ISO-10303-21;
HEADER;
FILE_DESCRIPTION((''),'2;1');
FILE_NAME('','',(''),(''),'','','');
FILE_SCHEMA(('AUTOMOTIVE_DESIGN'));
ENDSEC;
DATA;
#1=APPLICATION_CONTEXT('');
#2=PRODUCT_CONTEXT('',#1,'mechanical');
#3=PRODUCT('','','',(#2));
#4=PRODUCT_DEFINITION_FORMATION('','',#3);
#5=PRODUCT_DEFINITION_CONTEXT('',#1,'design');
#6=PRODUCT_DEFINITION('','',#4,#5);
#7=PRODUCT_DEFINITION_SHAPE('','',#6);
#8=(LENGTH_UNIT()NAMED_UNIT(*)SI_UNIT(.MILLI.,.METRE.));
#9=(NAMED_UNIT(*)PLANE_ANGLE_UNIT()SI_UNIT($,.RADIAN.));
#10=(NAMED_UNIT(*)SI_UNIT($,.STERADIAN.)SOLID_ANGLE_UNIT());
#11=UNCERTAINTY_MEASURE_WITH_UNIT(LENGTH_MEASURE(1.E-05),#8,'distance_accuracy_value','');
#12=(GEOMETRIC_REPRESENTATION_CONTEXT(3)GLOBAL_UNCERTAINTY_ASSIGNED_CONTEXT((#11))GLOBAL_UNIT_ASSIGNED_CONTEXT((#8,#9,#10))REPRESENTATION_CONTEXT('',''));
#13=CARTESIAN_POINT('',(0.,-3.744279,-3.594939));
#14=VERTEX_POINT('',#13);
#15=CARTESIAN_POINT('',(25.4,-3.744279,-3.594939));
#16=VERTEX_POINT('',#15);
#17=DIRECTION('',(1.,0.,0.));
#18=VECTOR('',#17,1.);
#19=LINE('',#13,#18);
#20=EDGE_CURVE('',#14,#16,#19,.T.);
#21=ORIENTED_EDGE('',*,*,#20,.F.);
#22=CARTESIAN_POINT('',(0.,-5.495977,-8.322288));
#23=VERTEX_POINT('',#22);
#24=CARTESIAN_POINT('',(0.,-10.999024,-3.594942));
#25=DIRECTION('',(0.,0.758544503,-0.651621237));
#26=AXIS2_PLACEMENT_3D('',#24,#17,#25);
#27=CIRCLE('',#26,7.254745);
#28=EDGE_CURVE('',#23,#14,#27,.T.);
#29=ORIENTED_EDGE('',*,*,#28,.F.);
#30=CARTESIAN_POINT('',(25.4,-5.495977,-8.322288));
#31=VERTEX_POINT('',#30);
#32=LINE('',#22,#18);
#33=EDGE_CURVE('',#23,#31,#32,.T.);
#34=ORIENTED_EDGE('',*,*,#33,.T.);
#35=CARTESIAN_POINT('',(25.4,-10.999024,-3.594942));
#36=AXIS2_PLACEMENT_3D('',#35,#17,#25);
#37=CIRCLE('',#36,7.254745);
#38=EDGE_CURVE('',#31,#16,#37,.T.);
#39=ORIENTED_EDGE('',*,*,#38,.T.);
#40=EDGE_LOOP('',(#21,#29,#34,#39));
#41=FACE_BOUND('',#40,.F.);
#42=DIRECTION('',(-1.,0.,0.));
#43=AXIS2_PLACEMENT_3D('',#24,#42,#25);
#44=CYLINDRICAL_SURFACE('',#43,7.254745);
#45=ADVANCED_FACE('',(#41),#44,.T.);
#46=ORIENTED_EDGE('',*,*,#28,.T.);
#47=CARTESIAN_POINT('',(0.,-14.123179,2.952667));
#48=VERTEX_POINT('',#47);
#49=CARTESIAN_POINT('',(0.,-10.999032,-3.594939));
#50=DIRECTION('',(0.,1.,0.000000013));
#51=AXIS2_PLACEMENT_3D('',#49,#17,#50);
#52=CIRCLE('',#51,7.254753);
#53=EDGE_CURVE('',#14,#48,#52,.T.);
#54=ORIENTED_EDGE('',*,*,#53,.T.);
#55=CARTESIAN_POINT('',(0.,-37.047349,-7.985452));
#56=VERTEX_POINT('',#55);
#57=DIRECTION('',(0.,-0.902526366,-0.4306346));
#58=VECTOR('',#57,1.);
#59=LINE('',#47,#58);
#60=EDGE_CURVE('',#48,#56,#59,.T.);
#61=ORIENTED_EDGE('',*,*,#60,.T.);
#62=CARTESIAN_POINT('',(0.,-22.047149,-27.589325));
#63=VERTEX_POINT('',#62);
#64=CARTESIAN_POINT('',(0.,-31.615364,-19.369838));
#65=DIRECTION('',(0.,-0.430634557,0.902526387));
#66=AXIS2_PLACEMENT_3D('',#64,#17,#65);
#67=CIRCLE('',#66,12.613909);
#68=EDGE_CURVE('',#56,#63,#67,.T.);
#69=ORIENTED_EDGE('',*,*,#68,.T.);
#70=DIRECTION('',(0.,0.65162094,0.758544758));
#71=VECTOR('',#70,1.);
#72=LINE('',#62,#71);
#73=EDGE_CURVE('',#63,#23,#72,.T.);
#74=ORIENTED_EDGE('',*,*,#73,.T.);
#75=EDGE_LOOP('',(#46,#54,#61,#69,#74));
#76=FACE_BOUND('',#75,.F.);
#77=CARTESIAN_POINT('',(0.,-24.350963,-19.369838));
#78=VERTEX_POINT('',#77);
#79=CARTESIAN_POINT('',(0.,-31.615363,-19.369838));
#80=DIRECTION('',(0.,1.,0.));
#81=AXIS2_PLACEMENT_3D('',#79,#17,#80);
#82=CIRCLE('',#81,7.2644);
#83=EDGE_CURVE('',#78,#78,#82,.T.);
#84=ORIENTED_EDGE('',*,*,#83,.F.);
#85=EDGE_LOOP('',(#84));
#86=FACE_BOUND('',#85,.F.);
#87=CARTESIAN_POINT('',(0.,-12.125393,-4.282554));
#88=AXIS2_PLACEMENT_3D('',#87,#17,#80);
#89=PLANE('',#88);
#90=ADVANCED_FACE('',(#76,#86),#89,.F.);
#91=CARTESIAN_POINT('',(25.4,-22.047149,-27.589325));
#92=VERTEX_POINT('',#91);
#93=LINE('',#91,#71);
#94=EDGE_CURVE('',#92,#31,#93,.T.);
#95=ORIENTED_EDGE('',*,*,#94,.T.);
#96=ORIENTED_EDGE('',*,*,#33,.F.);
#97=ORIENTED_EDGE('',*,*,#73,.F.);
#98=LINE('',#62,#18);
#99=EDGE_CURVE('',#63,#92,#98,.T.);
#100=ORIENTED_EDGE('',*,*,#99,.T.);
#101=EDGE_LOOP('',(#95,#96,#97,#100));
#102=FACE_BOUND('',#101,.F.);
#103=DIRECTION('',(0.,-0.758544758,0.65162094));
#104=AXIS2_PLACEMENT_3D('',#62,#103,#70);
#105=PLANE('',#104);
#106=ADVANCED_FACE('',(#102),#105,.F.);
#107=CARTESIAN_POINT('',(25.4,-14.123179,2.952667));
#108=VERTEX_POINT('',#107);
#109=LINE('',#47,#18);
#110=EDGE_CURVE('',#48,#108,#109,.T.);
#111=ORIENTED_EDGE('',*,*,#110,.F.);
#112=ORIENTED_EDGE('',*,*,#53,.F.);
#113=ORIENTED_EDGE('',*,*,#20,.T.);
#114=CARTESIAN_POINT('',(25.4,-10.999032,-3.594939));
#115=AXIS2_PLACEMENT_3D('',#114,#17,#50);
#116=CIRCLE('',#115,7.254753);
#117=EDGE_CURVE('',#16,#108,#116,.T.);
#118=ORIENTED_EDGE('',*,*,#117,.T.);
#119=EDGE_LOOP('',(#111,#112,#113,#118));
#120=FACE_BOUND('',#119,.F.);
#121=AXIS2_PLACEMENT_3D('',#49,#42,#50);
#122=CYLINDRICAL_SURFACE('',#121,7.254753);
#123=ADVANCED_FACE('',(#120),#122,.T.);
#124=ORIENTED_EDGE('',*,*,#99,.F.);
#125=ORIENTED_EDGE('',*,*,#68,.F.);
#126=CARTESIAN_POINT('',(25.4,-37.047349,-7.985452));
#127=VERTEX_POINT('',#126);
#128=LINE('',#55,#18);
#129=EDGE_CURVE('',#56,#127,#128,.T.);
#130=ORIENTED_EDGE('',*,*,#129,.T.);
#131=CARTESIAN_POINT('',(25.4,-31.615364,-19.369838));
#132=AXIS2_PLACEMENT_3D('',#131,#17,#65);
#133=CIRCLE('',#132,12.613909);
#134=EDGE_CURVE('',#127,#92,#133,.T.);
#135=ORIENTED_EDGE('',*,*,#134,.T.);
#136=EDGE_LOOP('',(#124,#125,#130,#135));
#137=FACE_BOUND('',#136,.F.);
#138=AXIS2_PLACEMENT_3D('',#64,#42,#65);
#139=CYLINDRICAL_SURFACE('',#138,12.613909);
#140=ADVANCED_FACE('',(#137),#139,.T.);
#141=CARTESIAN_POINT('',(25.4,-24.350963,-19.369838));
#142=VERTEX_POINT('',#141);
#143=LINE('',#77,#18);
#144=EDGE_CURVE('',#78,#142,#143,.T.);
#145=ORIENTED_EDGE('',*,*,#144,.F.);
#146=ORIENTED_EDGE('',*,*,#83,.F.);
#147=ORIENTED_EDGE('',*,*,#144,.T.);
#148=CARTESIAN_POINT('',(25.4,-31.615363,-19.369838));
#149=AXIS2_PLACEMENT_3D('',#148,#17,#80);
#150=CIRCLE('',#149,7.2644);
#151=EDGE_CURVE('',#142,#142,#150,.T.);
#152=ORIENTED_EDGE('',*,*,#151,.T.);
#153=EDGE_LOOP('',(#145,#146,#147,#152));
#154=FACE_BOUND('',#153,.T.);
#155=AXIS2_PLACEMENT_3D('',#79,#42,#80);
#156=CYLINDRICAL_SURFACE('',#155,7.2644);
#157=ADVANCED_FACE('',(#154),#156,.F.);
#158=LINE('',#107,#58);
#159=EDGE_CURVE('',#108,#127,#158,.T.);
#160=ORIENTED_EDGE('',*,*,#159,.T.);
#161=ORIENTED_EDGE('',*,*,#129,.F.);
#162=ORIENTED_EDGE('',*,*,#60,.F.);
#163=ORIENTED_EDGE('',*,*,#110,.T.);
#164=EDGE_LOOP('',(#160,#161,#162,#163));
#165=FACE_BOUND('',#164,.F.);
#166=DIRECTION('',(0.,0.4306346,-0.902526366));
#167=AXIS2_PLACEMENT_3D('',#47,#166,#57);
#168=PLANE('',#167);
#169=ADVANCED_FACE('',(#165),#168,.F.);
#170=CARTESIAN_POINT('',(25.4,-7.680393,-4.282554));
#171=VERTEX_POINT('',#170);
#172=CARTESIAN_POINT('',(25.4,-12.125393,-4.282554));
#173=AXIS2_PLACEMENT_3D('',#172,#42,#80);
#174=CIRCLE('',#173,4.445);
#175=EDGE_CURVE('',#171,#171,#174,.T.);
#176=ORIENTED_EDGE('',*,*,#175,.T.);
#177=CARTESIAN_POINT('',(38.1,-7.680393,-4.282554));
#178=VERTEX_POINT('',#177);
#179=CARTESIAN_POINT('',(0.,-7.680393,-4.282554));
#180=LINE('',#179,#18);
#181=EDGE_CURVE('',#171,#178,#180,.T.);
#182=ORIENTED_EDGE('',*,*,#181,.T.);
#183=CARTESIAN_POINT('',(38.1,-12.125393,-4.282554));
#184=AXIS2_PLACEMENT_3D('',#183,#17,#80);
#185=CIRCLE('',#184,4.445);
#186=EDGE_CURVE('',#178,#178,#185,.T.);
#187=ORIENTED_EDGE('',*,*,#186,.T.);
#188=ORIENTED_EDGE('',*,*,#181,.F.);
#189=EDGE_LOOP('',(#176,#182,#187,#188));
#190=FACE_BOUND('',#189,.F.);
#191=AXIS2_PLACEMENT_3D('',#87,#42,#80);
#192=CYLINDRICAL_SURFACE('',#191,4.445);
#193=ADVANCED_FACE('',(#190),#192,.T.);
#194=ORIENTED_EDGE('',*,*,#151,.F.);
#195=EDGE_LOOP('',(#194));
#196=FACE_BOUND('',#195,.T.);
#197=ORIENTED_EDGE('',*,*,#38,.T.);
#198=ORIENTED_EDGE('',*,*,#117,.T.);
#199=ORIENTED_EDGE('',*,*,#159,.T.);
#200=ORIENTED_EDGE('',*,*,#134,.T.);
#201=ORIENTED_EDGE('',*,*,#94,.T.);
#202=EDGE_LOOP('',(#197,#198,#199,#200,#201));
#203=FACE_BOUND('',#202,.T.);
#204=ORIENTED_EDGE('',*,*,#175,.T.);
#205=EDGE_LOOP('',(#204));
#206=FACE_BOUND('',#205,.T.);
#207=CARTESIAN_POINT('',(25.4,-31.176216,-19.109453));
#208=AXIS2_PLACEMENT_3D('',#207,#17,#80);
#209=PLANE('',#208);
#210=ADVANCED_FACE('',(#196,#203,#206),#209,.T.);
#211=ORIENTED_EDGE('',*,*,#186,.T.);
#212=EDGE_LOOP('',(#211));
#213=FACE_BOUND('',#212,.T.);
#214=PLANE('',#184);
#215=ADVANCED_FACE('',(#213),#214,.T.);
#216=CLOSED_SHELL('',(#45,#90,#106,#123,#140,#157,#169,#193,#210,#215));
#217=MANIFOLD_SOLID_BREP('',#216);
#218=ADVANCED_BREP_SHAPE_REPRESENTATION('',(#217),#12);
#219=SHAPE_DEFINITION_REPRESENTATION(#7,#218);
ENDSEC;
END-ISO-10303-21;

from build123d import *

# Parameters (mm, degrees)
F0_R     = 7.2644
F1_DEPTH = 25.4
F2_R     = 4.445
F3_DEPTH = 38.1


with BuildPart() as f1:
    # F0 (on Right) → F1 (new body)
    with BuildSketch(Plane.YZ):
        with BuildLine():
            ThreePointArc((-22.047149, -27.589325), (-19.787361, -23.752651), (-19.001454, -19.369838))
            ThreePointArc((-19.001454, -19.369838), (-24.885128, -8.701443), (-37.047349, -7.985452))
            ThreePointArc((-37.047349, -7.985452), (-41.633101, -27.035061), (-22.047149, -27.589325))
        make_face()
        with Locations((-31.615363, -19.369838)):
            Circle(F0_R, mode=Mode.SUBTRACT)
        with BuildLine():
            ThreePointArc((-37.047349, -7.985452), (-24.885128, -8.701443), (-19.001454, -19.369838))
            ThreePointArc((-19.001454, -19.369838), (-19.787361, -23.752651), (-22.047149, -27.589325))
            Line((-22.047149, -27.589325), (-5.495977, -8.322288))
            ThreePointArc((-5.495977, -8.322288), (-16.760624, -8.003509), (-14.123179, 2.952667))
            Line((-14.123179, 2.952667), (-37.047349, -7.985452))
        make_face()
        with BuildLine():
            ThreePointArc((-3.744279, -3.594939), (-7.12821, 2.540872), (-14.123179, 2.952667))
            ThreePointArc((-14.123179, 2.952667), (-16.760624, -8.003509), (-5.495977, -8.322288))
            ThreePointArc((-5.495977, -8.322288), (-4.196284, -6.115667), (-3.744279, -3.594939))
        make_face()
    extrude(amount=F1_DEPTH)

    # F2 (on Right) → F3 (join)
    with BuildSketch(Plane.YZ):
        with Locations((-12.125393, -4.282554)):
            Circle(F2_R)
    extrude(amount=F3_DEPTH)


solid = f1.part
